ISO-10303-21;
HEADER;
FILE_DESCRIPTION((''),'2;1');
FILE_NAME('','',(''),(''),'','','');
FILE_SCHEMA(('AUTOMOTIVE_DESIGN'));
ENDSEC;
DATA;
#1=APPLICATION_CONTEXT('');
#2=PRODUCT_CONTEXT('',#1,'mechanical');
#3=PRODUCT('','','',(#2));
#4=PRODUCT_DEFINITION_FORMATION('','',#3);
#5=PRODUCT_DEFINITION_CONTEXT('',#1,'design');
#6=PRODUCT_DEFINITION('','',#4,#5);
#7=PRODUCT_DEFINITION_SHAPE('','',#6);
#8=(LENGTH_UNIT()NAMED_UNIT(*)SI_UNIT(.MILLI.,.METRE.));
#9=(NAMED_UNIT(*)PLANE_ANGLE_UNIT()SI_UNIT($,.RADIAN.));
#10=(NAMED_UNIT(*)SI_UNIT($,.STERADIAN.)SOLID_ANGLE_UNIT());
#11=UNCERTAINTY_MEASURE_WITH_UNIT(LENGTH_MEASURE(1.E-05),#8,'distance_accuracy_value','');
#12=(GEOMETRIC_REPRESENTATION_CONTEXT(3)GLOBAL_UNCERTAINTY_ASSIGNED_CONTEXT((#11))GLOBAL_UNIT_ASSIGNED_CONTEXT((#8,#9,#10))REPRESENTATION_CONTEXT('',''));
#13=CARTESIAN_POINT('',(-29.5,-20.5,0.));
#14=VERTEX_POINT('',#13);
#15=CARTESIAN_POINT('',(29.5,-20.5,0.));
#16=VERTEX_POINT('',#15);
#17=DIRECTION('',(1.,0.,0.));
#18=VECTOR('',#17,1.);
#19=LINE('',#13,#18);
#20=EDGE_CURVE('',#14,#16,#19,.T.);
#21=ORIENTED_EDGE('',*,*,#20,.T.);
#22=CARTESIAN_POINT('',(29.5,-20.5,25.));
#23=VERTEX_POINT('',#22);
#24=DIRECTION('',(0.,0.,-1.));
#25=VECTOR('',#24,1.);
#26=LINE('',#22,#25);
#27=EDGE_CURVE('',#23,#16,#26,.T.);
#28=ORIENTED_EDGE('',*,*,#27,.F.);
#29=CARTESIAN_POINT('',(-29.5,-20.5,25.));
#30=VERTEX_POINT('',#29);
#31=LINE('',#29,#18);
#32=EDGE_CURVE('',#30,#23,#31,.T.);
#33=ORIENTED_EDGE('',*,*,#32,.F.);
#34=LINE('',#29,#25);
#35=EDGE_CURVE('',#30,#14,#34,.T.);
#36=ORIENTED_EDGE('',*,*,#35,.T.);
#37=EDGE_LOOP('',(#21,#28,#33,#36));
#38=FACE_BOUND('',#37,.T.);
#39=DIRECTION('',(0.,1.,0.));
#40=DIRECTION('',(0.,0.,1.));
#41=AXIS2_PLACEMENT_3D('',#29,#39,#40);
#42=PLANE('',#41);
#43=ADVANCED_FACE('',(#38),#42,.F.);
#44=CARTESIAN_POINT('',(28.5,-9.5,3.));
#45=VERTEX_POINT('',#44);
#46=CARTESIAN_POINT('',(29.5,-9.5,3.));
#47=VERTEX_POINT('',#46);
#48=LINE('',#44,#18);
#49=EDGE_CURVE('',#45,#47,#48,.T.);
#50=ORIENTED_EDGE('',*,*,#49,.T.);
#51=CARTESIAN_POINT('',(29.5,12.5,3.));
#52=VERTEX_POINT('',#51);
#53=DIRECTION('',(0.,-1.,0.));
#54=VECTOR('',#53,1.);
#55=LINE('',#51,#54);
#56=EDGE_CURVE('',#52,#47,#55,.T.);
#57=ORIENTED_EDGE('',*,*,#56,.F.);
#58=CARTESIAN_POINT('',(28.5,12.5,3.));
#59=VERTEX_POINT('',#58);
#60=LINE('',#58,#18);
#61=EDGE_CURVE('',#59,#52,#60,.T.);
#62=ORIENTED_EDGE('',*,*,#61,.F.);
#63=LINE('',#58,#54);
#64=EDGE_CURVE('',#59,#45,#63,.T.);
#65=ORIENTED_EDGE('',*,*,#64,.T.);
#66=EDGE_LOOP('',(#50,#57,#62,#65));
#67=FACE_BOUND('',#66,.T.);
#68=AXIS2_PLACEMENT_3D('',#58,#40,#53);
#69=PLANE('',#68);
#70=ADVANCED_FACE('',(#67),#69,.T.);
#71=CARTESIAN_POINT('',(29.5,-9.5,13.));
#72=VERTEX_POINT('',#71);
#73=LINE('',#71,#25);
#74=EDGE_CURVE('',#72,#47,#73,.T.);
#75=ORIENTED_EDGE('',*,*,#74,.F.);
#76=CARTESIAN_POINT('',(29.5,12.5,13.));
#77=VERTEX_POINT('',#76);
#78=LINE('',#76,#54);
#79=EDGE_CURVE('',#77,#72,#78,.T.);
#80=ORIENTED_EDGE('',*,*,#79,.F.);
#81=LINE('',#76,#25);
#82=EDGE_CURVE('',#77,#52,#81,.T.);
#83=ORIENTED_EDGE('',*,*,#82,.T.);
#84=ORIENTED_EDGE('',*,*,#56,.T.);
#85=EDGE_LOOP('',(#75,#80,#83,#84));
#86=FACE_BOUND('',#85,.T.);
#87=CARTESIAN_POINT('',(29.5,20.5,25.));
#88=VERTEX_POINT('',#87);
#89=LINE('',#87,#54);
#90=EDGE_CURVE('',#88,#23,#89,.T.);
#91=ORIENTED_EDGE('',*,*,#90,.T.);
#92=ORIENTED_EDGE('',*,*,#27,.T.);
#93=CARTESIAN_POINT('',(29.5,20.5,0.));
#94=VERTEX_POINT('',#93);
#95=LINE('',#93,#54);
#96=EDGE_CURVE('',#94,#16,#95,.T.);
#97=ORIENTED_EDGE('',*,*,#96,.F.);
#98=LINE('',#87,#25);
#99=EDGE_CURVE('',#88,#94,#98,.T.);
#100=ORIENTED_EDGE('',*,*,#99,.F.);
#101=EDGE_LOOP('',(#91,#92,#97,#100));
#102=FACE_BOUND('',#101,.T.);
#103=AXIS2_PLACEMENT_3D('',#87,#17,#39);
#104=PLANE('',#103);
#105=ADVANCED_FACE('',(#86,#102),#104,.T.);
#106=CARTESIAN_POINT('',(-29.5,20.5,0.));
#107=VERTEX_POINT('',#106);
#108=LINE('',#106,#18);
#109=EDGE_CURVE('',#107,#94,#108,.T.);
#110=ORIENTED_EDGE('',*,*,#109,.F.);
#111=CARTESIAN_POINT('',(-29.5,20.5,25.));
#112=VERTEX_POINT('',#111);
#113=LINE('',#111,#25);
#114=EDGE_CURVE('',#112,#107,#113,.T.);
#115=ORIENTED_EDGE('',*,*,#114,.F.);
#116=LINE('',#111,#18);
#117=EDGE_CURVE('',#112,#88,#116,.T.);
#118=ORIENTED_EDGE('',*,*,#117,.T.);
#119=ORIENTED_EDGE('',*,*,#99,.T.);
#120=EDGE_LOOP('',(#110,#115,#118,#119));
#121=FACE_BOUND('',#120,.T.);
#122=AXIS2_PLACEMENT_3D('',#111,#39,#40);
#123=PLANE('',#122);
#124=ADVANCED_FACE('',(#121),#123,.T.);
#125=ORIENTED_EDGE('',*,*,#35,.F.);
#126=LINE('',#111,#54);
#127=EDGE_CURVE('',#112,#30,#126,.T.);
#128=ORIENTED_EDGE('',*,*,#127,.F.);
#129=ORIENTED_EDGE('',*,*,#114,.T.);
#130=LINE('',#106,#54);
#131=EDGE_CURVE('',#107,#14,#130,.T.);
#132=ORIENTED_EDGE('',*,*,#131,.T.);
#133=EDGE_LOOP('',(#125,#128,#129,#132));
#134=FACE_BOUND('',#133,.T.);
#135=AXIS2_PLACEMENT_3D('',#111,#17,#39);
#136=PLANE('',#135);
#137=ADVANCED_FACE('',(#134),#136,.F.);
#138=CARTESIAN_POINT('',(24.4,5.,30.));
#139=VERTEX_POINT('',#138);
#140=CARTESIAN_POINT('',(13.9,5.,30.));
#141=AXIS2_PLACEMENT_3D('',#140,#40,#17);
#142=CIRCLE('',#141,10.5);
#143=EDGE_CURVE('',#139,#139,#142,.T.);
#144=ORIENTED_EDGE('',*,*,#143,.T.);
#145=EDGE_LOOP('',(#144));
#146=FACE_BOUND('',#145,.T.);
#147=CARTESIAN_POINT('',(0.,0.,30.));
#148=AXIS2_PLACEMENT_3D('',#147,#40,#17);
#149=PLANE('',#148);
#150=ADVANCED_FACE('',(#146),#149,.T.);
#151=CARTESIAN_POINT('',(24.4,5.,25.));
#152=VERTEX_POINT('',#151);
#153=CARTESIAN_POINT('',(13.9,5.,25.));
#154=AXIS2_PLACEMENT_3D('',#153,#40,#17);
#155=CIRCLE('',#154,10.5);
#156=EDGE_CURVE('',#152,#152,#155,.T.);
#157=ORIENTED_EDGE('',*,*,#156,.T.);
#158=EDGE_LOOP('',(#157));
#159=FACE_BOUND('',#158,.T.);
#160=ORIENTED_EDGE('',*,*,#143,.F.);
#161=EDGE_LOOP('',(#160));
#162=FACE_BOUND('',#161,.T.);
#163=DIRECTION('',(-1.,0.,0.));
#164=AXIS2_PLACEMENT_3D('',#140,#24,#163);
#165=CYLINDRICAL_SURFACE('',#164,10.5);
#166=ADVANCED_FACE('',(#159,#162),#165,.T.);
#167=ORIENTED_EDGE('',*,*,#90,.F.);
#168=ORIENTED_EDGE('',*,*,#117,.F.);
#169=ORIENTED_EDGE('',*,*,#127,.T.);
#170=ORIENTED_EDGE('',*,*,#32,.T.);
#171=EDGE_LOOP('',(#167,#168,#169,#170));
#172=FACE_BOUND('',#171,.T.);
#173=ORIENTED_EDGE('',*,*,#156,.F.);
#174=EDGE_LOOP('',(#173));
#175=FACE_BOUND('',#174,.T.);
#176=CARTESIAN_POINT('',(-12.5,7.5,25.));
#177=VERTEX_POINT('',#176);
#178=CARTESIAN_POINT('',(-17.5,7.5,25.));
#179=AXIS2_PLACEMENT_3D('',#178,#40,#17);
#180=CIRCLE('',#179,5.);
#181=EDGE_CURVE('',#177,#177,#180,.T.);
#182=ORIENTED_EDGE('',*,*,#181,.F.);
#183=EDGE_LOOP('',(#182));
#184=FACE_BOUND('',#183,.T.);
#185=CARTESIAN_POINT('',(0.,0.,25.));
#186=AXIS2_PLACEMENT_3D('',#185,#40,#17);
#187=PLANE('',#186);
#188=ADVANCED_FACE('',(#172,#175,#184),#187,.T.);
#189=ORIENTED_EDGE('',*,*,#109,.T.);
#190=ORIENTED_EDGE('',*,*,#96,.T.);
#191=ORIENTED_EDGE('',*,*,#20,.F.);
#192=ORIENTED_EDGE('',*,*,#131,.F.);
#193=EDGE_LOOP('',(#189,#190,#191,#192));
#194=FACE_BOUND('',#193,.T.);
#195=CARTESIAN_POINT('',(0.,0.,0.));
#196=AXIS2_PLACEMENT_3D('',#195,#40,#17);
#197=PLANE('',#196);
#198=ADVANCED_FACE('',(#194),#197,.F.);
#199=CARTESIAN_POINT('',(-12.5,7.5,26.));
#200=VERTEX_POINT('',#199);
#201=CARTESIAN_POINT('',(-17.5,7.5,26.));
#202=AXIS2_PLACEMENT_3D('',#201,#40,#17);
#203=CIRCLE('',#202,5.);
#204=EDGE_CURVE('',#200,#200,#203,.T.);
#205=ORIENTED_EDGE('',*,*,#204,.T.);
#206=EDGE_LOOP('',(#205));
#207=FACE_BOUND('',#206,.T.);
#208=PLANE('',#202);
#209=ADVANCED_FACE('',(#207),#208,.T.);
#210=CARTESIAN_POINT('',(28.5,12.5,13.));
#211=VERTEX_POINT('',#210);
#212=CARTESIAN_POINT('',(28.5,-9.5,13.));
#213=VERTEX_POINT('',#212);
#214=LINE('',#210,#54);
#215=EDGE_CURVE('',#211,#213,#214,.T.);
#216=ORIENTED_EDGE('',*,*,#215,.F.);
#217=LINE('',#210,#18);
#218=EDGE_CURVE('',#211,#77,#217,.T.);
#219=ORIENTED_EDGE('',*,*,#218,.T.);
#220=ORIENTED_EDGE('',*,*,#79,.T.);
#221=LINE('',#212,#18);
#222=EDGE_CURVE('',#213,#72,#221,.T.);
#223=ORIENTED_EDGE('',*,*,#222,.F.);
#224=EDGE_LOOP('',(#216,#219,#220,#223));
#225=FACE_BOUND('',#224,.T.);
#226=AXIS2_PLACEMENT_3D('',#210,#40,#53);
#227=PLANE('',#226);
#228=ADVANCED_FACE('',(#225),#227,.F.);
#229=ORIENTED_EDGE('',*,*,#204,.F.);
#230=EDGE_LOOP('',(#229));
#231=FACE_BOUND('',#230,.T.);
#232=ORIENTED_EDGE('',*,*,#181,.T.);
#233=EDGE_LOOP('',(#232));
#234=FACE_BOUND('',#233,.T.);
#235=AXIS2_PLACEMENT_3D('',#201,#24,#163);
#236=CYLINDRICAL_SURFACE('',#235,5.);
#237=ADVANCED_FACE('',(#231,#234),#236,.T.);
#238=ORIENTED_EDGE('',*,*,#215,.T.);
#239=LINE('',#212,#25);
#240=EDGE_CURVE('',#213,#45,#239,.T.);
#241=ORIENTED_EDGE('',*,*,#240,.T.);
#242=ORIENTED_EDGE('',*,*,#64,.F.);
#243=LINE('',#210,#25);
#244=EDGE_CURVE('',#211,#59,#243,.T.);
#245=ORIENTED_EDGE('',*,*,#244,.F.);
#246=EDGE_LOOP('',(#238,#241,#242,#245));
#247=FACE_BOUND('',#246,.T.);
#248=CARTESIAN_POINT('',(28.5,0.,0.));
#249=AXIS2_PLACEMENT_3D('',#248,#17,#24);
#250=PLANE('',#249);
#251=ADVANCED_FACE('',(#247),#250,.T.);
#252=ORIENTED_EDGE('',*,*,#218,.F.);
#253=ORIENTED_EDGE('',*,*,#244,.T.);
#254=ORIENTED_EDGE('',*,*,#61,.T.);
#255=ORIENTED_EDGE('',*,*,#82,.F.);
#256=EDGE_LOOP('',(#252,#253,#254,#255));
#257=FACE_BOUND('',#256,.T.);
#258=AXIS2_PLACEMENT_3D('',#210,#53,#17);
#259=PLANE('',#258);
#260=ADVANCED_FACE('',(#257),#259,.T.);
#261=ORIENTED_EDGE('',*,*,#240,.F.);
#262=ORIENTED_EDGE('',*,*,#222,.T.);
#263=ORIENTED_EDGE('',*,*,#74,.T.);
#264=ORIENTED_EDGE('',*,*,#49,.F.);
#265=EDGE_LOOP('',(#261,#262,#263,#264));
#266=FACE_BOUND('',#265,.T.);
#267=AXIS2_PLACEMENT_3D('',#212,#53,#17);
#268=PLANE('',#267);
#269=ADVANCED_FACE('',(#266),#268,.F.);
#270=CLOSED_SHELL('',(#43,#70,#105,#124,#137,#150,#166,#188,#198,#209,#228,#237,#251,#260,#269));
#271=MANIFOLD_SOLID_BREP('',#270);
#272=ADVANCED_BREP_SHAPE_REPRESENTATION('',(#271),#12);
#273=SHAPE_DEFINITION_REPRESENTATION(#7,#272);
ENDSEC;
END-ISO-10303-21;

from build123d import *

# Parameters (mm, degrees)
SKETCH_1_W          = 59
SKETCH_1_H          = 41
EXTRUDE_1_DEPTH     = 25
SKETCH_2_R          = 10.5
EXTRUDE_2_DEPTH     = 5
SKETCH_5_R          = 5
EXTRUDE_3_DEPTH     = 1
SKETCH_6_W          = 10
SKETCH_6_H          = 22
CUT_EXTRUDE_1_DEPTH = 1


with BuildPart() as part:
    # Эскиз1 → Бобышка-Вытянуть1 (new body)
    with BuildSketch(Plane.XY):
        Rectangle(SKETCH_1_W, SKETCH_1_H)
    extrude(amount=EXTRUDE_1_DEPTH)

    # Эскиз2 → Бобышка-Вытянуть2 (add)
    with BuildSketch(Plane.XY.offset(25)):
        with Locations((13.9, 5)):
            Circle(SKETCH_2_R)
    extrude(amount=EXTRUDE_2_DEPTH)

    # Эскиз5 → Бобышка-Вытянуть3 (add)
    with BuildSketch(Plane.XY.offset(25)):
        with Locations((-17.5, 7.5)):
            Circle(SKETCH_5_R)
    extrude(amount=EXTRUDE_3_DEPTH)

    # Эскиз6 → Вырез-Вытянуть1 (cut)
    with BuildSketch(Plane(origin=(29.5, 0, 0), x_dir=(0, 0, -1), z_dir=(1, 0, 0))):
        with Locations((-8, 1.5)):
            Rectangle(SKETCH_6_W, SKETCH_6_H)
    extrude(amount=-CUT_EXTRUDE_1_DEPTH, mode=Mode.SUBTRACT)


solid = part.part
